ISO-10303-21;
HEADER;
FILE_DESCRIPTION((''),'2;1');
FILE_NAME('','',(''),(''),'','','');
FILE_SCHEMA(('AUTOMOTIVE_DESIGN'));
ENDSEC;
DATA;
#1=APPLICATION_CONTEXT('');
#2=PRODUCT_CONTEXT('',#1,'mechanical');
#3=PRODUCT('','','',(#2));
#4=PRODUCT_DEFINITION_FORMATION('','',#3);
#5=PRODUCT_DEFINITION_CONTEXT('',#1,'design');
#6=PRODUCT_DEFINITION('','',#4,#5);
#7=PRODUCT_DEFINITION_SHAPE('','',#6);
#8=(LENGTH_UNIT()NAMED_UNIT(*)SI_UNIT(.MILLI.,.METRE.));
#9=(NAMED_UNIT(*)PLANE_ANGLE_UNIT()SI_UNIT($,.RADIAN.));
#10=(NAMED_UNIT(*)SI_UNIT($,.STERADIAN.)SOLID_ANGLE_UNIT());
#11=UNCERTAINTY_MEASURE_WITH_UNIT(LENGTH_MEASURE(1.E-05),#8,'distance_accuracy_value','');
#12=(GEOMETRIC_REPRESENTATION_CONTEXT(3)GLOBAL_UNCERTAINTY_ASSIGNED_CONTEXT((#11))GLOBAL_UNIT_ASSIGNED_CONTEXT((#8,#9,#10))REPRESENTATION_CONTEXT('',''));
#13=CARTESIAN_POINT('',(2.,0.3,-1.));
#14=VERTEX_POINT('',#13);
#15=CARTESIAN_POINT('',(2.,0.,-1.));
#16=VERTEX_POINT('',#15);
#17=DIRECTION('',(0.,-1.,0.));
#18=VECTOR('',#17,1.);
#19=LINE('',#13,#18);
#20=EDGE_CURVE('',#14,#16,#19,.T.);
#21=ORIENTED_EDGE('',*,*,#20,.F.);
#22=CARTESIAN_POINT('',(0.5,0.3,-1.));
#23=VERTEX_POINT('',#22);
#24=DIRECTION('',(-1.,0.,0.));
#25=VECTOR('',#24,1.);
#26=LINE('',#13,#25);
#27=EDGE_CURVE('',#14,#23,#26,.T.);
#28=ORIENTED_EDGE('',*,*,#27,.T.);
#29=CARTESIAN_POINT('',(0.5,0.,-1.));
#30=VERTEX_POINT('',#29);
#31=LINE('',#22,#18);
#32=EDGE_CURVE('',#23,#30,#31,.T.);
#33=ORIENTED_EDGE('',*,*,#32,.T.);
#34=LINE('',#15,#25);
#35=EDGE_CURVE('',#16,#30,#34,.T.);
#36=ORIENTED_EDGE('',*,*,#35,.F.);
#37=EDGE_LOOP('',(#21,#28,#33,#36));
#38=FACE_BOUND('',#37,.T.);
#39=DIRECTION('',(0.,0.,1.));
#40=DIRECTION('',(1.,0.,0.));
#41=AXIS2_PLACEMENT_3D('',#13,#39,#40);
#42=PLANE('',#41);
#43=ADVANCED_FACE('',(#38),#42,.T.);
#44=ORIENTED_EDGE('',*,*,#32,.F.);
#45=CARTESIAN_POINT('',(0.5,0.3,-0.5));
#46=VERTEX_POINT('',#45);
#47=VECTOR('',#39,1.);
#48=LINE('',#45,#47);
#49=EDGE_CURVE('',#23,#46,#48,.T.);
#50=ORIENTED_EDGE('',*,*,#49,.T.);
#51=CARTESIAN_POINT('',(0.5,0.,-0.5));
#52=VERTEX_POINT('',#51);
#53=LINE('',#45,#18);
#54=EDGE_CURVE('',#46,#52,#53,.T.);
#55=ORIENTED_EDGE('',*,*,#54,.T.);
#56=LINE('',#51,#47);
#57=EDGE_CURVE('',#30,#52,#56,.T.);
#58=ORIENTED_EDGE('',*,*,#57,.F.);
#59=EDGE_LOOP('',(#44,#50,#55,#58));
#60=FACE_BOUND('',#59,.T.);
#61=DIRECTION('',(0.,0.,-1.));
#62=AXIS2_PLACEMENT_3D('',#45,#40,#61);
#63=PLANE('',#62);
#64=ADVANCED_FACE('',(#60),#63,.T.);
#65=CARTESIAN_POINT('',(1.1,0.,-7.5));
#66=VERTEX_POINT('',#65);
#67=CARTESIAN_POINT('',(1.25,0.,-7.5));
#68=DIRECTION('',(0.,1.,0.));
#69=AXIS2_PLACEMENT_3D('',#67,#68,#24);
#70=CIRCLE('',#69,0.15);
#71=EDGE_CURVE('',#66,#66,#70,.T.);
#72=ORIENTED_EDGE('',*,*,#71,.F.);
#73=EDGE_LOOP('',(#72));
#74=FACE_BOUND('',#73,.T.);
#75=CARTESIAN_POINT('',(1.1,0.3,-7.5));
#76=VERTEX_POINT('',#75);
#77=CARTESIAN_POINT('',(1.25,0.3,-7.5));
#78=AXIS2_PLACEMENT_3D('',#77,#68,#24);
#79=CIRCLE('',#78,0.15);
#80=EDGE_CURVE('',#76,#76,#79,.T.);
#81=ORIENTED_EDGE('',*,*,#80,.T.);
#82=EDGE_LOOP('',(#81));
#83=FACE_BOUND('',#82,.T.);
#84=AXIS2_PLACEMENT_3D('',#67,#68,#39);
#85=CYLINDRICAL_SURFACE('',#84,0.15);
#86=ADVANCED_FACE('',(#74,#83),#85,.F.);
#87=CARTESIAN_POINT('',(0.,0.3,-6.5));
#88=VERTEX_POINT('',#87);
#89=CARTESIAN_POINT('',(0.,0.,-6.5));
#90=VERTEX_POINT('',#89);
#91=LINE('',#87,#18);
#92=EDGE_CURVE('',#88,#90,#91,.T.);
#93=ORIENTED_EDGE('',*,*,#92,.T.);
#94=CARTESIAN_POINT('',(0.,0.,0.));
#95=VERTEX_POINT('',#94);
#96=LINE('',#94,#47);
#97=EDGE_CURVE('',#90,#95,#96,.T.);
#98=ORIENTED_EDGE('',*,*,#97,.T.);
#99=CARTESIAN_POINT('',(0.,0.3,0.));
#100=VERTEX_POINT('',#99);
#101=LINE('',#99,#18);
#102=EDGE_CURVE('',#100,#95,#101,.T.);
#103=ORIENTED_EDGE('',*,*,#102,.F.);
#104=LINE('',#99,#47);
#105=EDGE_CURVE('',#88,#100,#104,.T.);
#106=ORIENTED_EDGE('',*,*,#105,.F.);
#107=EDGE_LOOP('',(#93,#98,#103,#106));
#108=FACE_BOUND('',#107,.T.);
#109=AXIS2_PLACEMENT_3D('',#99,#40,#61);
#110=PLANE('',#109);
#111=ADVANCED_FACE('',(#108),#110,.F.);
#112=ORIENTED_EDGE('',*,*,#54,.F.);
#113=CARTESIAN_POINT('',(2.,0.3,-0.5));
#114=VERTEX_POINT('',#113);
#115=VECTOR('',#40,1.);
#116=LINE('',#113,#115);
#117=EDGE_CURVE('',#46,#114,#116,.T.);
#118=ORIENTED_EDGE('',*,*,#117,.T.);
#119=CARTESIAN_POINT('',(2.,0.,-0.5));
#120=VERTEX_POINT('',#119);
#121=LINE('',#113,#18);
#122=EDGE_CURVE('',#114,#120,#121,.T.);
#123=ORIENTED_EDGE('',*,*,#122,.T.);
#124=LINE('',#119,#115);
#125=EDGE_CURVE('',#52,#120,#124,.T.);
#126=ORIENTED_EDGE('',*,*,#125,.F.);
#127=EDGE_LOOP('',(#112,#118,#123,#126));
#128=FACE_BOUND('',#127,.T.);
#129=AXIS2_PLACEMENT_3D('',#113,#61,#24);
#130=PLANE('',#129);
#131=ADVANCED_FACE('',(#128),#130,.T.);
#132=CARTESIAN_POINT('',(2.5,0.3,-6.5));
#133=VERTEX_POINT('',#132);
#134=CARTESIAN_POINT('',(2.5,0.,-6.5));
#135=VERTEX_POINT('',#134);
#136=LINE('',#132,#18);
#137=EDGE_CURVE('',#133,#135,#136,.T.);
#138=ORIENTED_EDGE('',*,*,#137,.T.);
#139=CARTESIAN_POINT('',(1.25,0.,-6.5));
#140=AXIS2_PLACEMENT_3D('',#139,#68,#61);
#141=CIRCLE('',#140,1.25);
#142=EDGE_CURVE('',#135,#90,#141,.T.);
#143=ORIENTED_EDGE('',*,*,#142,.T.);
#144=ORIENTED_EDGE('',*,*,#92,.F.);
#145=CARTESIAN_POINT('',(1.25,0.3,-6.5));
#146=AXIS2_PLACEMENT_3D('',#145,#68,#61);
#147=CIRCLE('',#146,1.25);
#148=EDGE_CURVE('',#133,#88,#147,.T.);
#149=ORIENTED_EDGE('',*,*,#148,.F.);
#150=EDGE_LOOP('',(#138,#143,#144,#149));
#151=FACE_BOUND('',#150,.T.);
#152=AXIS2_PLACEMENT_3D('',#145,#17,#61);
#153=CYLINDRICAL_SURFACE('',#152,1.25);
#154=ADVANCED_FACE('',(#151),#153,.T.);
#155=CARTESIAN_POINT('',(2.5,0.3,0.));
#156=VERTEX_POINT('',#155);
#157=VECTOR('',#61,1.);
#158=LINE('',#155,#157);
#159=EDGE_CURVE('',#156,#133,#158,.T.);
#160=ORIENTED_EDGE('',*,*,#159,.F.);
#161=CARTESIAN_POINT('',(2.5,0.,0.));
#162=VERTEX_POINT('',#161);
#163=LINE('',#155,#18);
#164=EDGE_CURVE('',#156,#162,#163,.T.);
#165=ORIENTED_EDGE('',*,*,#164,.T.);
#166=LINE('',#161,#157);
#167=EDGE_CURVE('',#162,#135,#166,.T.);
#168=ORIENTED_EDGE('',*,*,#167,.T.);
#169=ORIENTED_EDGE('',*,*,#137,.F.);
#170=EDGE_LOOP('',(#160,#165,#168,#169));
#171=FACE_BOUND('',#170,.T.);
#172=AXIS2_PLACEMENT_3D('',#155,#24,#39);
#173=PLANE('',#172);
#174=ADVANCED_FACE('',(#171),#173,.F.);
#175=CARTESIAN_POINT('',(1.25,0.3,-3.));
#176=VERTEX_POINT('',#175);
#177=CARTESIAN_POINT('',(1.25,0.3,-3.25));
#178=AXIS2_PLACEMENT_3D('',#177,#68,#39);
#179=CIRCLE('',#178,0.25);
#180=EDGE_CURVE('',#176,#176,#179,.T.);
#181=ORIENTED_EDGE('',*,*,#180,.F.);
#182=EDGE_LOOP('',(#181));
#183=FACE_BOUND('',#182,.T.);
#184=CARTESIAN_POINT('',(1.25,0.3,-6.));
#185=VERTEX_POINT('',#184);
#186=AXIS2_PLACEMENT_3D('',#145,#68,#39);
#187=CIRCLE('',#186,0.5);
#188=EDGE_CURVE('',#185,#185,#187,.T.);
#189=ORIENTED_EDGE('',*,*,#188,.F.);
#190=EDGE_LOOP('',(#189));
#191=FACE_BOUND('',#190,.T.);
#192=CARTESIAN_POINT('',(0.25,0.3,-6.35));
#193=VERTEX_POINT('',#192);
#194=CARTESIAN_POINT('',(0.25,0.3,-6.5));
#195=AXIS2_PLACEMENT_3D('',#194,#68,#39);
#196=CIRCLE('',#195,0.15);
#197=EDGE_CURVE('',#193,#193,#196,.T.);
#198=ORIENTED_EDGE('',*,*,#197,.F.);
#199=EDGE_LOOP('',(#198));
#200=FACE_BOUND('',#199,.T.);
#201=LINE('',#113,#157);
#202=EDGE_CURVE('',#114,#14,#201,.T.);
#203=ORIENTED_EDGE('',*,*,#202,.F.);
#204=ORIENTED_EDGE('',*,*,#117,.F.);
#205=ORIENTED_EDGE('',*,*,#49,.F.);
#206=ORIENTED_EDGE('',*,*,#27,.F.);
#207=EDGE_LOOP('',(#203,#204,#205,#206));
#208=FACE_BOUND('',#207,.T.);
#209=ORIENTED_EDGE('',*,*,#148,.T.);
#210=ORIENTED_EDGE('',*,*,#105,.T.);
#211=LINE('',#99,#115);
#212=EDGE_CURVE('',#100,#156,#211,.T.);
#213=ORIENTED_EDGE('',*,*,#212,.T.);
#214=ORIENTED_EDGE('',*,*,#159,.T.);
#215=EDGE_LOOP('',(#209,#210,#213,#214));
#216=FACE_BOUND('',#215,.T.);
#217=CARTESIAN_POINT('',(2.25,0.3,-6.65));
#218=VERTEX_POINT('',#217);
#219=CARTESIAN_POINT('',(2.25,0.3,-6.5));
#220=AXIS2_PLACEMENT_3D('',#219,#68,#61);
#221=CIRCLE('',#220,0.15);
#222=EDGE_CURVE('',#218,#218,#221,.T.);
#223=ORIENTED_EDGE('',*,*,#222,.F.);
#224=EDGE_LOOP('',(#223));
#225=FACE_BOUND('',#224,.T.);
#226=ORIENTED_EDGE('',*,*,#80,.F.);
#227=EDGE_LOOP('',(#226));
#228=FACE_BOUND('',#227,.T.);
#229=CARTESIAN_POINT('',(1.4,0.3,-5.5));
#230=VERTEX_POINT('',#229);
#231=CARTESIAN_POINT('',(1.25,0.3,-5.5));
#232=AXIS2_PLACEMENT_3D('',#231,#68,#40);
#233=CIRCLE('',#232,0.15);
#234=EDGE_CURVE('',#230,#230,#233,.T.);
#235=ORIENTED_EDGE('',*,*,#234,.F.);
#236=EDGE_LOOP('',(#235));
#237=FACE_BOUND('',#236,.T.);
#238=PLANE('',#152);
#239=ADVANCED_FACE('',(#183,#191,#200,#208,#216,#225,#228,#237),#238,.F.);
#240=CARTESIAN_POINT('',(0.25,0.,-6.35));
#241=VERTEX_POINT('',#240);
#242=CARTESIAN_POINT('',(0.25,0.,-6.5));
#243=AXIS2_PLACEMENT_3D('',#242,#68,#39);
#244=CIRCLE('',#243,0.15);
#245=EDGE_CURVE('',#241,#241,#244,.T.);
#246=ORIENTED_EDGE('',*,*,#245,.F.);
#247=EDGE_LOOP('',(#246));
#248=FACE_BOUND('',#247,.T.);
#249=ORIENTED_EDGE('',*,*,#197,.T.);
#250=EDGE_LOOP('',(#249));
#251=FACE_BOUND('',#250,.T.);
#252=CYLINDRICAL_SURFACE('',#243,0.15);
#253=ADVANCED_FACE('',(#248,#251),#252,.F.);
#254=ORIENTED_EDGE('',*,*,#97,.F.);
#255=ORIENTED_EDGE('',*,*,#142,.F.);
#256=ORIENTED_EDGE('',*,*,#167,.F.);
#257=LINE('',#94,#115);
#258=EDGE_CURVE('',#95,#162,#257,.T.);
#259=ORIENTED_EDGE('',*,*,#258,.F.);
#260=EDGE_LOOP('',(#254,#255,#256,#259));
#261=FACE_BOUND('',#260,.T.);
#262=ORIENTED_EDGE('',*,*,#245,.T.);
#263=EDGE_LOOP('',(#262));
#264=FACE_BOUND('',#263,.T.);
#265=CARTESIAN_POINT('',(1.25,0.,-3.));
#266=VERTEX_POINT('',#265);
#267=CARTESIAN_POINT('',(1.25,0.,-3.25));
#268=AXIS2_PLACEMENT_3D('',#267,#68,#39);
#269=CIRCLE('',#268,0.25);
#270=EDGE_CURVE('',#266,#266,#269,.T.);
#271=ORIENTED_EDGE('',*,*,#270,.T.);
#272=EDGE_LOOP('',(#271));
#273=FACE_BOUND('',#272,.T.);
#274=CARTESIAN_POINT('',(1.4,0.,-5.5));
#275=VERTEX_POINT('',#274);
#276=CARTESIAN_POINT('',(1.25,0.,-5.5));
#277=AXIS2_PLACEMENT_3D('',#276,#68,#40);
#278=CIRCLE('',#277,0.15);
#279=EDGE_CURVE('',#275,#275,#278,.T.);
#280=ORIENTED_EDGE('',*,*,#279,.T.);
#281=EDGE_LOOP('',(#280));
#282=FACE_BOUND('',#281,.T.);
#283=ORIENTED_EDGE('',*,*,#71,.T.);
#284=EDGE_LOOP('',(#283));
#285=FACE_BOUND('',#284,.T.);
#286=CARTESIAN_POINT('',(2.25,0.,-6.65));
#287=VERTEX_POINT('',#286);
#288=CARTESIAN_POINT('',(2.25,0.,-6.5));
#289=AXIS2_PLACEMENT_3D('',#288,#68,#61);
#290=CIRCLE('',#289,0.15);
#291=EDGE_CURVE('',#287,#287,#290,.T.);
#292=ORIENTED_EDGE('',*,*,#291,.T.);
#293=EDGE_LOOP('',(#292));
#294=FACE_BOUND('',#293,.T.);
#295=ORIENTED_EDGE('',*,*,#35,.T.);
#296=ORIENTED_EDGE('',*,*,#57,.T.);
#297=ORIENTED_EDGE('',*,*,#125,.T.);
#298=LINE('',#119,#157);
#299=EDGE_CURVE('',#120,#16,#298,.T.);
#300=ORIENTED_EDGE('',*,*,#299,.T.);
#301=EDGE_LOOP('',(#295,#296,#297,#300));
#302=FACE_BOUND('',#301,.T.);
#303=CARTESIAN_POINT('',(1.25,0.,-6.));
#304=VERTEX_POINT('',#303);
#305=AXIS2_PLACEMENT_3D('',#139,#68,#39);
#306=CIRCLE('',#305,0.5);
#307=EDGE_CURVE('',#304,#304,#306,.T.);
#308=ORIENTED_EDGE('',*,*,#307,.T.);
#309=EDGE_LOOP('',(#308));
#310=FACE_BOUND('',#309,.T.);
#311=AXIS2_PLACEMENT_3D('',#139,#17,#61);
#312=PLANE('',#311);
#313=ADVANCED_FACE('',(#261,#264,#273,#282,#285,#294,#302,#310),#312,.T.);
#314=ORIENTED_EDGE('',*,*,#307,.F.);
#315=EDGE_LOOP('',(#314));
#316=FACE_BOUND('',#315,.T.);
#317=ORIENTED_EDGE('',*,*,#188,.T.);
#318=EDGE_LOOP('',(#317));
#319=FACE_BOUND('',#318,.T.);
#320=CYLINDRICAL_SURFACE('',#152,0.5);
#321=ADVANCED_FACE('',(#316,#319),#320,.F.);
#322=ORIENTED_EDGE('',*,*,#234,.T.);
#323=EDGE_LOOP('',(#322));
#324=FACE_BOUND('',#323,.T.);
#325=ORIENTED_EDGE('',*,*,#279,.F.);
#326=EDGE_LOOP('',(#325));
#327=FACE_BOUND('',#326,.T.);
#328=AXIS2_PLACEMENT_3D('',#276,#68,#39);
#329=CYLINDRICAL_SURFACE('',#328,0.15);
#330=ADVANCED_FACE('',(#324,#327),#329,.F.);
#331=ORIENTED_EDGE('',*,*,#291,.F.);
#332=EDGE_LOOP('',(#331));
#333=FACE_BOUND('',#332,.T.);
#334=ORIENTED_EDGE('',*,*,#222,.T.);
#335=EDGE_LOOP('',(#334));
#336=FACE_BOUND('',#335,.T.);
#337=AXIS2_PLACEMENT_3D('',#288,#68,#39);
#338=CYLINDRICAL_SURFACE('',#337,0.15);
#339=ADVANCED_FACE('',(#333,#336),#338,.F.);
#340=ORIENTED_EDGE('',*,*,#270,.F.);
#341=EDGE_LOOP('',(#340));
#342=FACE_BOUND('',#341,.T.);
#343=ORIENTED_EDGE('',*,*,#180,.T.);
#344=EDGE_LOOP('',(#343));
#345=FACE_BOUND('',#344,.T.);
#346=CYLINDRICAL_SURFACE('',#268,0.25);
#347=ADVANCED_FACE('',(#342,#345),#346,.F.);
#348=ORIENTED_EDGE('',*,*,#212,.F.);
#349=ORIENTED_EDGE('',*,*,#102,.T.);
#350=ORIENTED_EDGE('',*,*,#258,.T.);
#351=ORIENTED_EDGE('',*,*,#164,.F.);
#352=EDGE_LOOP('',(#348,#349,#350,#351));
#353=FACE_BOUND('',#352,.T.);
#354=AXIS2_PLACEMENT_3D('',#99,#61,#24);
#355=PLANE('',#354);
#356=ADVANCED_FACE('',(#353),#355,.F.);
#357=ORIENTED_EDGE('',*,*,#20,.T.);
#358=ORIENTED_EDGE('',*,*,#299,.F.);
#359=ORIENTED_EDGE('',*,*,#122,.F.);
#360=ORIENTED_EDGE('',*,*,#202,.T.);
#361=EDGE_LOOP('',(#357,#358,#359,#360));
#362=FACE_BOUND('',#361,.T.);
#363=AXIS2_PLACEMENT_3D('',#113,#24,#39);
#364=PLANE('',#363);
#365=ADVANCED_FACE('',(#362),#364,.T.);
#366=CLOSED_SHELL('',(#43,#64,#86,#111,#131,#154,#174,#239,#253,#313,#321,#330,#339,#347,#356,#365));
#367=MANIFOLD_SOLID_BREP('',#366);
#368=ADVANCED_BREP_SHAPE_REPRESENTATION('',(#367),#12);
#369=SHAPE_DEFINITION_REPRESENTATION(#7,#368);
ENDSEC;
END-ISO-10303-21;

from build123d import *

# Parameters (mm, degrees)
SKETCH1_R           = 0.5
SKETCH1_W           = 1.5
SKETCH1_H           = 0.5
BOSS_EXTRUDE1_DEPTH = 0.3
SKETCH2_R           = 0.15
CUT_EXTRUDE1_DEPTH  = 0.3
CIRPATTERN1_COUNT   = 4
SKETCH5_R           = 0.25
CUT_EXTRUDE3_DEPTH  = 0.3


with BuildPart() as part:
    # Sketch1 → Boss-Extrude1 (new body)
    with BuildSketch(Plane(origin=(0, 0, 0), x_dir=(1, 0, 0), z_dir=(0, 1, 0))):
        with BuildLine():
            Line((0, 0), (2.5, 0))
            Line((2.5, 0), (2.5, 6.5))
            ThreePointArc((2.5, 6.5), (1.25, 7.75), (0, 6.5))
            Line((0, 6.5), (0, 0))
        make_face()
        with Locations(Location((1.25, 6.5, 0), (0, 0, 270))):
            Circle(SKETCH1_R, mode=Mode.SUBTRACT)
        with Locations((1.25, 0.75)):
            Rectangle(SKETCH1_W, SKETCH1_H, mode=Mode.SUBTRACT)
    extrude(amount=BOSS_EXTRUDE1_DEPTH)

    # Sketch2 → Cut-Extrude1 (cut)
    with BuildSketch(Plane(origin=(0, 0.3, 0), x_dir=(1, 0, 0), z_dir=(0, 1, 0))):
        with Locations(Location((0.25, 6.5, 0), (0, 0, 270))):
            Circle(SKETCH2_R)
    cut_extrude1 = extrude(amount=-CUT_EXTRUDE1_DEPTH, mode=Mode.SUBTRACT)

    # CirPattern1: Cut-Extrude1 ×4 about axis
    cirpattern1_axis = Axis((1.25, 0, -6.5), (0, 1, 0))
    for i in range(1, CIRPATTERN1_COUNT):
        add(cut_extrude1.rotate(cirpattern1_axis, i * 360 / CIRPATTERN1_COUNT), mode=Mode.SUBTRACT)

    # Sketch5 → Cut-Extrude3 (cut)
    with BuildSketch(Plane(origin=(0, 0.3, 0), x_dir=(1, 0, 0), z_dir=(0, 1, 0))):
        with Locations(Location((1.25, 3.25, 0), (0, 0, 270))):
            Circle(SKETCH5_R)
    extrude(amount=-CUT_EXTRUDE3_DEPTH, mode=Mode.SUBTRACT)


solid = part.part
